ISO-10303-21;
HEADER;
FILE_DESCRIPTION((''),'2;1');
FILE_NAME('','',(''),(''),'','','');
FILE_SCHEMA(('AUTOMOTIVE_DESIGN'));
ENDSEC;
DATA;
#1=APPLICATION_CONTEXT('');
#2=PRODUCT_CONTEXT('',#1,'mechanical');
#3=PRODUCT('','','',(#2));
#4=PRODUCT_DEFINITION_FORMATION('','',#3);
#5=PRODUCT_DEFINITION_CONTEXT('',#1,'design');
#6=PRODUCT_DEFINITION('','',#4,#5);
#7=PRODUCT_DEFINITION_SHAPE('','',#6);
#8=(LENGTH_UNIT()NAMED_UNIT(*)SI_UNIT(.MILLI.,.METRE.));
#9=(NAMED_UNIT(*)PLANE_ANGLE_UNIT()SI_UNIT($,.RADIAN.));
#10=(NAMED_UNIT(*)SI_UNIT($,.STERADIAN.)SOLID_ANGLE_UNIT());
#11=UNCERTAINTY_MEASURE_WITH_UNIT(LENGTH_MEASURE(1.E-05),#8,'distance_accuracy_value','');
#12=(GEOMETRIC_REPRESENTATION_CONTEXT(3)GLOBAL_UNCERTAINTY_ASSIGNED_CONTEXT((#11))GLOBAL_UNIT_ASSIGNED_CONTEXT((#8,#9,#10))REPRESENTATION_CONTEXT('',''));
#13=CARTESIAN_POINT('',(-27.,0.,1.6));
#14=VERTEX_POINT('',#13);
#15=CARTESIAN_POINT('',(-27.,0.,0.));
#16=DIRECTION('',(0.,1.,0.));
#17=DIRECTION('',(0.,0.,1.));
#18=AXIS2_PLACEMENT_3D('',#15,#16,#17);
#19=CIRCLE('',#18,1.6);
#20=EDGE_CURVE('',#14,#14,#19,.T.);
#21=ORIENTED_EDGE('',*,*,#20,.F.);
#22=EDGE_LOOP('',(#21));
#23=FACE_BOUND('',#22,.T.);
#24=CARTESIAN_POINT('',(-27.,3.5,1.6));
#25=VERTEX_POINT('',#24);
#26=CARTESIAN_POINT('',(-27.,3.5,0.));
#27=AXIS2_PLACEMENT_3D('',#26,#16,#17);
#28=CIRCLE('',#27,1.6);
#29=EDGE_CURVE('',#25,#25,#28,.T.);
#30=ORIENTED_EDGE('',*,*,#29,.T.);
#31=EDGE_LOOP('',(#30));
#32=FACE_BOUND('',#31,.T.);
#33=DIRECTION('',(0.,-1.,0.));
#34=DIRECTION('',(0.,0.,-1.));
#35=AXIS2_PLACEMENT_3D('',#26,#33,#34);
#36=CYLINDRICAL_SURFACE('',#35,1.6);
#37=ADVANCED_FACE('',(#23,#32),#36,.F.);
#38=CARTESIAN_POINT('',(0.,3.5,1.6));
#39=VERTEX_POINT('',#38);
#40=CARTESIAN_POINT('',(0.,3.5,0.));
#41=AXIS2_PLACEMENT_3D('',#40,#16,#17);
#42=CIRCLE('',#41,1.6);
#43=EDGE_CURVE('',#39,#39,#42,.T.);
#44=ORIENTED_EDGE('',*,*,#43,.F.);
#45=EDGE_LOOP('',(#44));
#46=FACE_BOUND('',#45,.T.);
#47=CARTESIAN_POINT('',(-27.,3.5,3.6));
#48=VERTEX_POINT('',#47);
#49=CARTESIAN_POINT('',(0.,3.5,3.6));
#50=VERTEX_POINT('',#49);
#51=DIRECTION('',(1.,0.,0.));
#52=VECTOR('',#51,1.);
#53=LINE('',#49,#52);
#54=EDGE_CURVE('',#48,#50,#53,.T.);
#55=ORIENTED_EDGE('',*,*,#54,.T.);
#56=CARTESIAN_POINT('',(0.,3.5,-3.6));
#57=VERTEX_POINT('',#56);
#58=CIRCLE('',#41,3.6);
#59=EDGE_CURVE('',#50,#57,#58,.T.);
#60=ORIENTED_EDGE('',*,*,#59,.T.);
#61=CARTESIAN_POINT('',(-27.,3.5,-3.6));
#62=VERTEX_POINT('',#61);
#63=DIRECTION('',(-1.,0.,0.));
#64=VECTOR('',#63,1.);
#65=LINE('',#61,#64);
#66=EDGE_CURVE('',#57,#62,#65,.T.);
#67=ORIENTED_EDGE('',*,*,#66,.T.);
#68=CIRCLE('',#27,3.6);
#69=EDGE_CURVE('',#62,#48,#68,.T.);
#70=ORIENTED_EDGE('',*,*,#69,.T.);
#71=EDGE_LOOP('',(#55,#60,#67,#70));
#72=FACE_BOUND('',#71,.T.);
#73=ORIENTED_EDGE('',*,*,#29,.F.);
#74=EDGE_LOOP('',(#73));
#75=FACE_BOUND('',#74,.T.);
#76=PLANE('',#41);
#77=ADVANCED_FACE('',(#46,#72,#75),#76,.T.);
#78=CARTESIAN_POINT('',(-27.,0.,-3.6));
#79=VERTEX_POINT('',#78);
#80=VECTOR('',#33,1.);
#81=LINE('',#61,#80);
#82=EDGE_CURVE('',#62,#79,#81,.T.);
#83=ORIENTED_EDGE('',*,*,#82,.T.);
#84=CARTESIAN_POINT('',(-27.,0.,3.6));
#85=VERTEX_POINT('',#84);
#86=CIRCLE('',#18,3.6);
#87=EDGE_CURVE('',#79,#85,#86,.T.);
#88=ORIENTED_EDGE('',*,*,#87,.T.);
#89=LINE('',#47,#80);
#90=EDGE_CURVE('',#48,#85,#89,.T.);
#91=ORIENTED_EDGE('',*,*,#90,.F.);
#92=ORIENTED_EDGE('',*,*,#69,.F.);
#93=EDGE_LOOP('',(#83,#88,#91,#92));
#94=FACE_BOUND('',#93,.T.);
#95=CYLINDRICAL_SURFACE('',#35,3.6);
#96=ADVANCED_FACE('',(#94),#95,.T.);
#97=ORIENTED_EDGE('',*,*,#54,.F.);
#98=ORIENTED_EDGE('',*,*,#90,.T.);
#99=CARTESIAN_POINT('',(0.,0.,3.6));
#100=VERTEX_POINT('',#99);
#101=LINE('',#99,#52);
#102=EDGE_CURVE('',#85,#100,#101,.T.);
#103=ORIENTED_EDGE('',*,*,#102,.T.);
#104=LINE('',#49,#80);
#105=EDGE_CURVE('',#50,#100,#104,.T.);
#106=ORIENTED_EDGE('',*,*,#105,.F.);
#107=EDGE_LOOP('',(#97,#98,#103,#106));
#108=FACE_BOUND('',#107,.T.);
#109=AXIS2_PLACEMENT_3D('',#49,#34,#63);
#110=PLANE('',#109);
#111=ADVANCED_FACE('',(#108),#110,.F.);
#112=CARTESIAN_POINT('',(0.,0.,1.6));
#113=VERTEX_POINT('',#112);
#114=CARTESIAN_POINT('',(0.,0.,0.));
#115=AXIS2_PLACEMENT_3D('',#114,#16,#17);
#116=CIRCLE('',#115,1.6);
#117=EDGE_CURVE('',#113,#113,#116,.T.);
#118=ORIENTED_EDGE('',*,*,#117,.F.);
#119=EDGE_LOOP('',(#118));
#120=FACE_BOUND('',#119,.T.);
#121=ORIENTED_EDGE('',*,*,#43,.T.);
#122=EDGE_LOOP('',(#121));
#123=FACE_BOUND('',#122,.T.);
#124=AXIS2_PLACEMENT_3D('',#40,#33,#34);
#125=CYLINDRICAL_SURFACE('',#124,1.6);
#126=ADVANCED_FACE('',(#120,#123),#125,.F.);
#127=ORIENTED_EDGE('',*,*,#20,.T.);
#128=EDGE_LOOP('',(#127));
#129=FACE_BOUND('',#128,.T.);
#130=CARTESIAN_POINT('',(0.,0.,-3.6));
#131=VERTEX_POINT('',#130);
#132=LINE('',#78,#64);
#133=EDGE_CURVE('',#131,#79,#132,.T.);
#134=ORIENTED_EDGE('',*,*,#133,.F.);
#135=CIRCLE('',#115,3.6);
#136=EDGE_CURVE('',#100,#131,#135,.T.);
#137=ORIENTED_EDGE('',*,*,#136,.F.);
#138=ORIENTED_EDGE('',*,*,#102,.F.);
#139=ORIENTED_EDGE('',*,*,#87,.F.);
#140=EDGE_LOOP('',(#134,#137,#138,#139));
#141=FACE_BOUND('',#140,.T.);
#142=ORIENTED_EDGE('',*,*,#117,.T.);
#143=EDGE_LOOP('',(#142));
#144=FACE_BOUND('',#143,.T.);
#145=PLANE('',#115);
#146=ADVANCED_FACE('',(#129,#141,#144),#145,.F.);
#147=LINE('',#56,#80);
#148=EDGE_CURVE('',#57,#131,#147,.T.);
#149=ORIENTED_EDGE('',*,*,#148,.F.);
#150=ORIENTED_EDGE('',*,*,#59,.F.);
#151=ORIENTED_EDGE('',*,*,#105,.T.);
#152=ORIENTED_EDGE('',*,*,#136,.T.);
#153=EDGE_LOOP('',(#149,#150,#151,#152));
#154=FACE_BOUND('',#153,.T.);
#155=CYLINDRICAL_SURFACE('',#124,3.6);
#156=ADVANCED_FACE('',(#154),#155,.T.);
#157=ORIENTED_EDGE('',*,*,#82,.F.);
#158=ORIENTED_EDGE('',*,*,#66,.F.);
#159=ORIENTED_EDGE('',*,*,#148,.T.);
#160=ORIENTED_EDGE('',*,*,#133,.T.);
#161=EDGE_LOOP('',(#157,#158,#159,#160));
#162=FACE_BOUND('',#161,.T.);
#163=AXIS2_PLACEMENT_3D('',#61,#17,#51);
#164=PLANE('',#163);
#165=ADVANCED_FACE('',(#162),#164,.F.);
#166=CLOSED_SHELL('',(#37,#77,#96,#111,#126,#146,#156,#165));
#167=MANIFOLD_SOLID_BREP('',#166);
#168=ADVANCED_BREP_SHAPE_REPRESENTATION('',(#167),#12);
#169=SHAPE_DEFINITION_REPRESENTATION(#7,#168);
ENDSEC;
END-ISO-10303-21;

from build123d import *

# Parameters (mm, degrees)
SKETCH1_R           = 1.6
BOSS_EXTRUDE1_DEPTH = 3.5


with BuildPart() as part:
    # Sketch1 → Boss-Extrude1 (new body)
    with BuildSketch(Plane(origin=(0, 0, 0), x_dir=(1, 0, 0), z_dir=(0, 1, 0))):
        with BuildLine():
            Line((-27, 3.6), (0, 3.6))
            ThreePointArc((0, 3.6), (3.6, 0), (0, -3.6))
            Line((0, -3.6), (-27, -3.6))
            ThreePointArc((-27, -3.6), (-30.6, 0), (-27, 3.6))
        make_face()
        with Locations(Location((0, 0, 0), (0, 0, 270))):
            Circle(SKETCH1_R, mode=Mode.SUBTRACT)
        with Locations(Location((-27, 0, 0), (0, 0, 270))):
            Circle(SKETCH1_R, mode=Mode.SUBTRACT)
    extrude(amount=BOSS_EXTRUDE1_DEPTH)


solid = part.part
